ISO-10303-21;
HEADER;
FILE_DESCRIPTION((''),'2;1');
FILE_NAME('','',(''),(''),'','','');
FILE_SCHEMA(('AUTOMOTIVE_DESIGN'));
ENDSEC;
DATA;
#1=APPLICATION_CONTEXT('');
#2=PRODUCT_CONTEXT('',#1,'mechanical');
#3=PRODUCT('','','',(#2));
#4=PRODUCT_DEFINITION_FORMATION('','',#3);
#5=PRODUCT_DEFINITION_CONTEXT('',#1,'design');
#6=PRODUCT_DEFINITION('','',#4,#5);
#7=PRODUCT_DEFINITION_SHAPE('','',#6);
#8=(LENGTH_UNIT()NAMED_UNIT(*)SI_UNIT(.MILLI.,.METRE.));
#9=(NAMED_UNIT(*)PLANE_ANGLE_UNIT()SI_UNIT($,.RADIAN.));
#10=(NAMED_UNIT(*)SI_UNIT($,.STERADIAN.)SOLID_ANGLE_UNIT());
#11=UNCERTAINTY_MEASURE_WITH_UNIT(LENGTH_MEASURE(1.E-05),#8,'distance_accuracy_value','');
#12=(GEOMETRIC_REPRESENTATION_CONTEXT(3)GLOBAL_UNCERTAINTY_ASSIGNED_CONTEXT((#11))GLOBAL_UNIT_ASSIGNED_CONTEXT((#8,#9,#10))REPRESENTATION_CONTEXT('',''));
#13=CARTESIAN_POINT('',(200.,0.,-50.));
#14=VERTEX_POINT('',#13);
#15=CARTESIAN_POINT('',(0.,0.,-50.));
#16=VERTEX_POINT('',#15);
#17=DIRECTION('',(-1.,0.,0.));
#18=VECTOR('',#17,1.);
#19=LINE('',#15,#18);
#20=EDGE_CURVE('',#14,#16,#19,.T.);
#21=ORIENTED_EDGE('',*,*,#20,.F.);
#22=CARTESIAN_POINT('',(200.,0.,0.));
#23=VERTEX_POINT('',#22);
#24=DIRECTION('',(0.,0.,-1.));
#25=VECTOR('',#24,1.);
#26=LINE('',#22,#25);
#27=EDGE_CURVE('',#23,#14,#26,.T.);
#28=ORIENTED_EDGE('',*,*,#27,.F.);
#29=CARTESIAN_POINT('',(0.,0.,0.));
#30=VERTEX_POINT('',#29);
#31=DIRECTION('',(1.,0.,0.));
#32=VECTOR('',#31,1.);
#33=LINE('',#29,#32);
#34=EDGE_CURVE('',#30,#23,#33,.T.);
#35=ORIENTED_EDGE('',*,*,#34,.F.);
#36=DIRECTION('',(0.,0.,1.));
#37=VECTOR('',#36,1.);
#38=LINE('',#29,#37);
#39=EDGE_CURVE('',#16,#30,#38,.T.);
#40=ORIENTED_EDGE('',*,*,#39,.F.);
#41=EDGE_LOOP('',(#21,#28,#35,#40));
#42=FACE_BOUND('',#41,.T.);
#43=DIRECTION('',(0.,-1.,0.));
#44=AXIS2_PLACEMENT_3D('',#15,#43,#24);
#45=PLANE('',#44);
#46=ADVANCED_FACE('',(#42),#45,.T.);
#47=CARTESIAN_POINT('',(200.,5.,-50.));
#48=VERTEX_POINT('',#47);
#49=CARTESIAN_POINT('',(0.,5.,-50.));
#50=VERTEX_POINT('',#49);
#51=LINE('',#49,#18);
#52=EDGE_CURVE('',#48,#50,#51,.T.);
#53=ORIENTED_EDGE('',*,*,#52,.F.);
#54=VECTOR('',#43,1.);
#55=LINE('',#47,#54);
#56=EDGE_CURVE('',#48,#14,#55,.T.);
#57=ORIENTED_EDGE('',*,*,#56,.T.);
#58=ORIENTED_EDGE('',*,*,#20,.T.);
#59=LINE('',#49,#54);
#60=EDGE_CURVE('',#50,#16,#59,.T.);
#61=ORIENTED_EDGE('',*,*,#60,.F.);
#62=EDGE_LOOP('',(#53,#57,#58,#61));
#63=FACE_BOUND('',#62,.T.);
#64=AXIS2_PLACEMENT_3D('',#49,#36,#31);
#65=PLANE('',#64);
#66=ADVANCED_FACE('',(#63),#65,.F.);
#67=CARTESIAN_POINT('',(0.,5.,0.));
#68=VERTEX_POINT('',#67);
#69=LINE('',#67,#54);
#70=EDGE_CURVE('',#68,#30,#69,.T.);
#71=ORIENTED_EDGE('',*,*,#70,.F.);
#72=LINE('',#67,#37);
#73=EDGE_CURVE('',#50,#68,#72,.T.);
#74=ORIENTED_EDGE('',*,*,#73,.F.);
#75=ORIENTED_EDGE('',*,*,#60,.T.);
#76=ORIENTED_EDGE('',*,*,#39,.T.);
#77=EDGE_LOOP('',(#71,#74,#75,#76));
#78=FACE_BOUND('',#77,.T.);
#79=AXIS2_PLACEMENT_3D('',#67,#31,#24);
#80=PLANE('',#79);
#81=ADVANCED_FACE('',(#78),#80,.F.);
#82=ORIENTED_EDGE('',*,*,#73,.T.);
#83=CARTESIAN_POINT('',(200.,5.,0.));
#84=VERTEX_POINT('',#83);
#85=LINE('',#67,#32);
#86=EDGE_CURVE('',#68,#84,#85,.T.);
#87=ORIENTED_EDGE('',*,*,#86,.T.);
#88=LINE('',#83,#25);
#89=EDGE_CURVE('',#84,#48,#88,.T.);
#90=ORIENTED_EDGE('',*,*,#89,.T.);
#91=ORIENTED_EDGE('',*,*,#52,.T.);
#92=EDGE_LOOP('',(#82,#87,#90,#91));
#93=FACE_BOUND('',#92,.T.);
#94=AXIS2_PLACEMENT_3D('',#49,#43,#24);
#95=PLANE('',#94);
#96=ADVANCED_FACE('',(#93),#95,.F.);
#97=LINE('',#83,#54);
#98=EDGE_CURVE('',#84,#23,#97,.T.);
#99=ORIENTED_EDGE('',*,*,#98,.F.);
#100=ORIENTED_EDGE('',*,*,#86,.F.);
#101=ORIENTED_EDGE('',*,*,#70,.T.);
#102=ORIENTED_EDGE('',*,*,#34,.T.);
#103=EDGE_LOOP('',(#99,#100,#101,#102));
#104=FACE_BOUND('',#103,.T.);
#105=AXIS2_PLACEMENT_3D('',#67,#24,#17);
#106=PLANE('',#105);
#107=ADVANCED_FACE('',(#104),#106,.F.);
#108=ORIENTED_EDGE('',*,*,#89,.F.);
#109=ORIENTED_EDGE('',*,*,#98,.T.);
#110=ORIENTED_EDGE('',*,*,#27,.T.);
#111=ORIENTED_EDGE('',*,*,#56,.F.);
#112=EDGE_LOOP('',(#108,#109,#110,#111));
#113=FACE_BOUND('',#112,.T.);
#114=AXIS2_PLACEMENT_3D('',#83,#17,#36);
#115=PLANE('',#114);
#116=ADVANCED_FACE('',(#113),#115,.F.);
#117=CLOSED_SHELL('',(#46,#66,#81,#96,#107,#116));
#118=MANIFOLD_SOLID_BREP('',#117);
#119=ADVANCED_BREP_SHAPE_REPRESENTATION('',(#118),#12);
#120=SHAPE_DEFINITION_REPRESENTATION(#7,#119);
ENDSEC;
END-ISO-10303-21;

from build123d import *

# Parameters (mm, degrees)
ESQUISSE1_W      = 200
ESQUISSE1_H      = 50
EXTRUSION1_DEPTH = 5


with BuildPart() as part:
    # Esquisse1 → Extrusion1 (new body)
    with BuildSketch(Plane(origin=(0, 0, 0), x_dir=(1, 0, 0), z_dir=(0, 1, 0))):
        with Locations((100, 25)):
            Rectangle(ESQUISSE1_W, ESQUISSE1_H)
    extrude(amount=EXTRUSION1_DEPTH)


solid = part.part
